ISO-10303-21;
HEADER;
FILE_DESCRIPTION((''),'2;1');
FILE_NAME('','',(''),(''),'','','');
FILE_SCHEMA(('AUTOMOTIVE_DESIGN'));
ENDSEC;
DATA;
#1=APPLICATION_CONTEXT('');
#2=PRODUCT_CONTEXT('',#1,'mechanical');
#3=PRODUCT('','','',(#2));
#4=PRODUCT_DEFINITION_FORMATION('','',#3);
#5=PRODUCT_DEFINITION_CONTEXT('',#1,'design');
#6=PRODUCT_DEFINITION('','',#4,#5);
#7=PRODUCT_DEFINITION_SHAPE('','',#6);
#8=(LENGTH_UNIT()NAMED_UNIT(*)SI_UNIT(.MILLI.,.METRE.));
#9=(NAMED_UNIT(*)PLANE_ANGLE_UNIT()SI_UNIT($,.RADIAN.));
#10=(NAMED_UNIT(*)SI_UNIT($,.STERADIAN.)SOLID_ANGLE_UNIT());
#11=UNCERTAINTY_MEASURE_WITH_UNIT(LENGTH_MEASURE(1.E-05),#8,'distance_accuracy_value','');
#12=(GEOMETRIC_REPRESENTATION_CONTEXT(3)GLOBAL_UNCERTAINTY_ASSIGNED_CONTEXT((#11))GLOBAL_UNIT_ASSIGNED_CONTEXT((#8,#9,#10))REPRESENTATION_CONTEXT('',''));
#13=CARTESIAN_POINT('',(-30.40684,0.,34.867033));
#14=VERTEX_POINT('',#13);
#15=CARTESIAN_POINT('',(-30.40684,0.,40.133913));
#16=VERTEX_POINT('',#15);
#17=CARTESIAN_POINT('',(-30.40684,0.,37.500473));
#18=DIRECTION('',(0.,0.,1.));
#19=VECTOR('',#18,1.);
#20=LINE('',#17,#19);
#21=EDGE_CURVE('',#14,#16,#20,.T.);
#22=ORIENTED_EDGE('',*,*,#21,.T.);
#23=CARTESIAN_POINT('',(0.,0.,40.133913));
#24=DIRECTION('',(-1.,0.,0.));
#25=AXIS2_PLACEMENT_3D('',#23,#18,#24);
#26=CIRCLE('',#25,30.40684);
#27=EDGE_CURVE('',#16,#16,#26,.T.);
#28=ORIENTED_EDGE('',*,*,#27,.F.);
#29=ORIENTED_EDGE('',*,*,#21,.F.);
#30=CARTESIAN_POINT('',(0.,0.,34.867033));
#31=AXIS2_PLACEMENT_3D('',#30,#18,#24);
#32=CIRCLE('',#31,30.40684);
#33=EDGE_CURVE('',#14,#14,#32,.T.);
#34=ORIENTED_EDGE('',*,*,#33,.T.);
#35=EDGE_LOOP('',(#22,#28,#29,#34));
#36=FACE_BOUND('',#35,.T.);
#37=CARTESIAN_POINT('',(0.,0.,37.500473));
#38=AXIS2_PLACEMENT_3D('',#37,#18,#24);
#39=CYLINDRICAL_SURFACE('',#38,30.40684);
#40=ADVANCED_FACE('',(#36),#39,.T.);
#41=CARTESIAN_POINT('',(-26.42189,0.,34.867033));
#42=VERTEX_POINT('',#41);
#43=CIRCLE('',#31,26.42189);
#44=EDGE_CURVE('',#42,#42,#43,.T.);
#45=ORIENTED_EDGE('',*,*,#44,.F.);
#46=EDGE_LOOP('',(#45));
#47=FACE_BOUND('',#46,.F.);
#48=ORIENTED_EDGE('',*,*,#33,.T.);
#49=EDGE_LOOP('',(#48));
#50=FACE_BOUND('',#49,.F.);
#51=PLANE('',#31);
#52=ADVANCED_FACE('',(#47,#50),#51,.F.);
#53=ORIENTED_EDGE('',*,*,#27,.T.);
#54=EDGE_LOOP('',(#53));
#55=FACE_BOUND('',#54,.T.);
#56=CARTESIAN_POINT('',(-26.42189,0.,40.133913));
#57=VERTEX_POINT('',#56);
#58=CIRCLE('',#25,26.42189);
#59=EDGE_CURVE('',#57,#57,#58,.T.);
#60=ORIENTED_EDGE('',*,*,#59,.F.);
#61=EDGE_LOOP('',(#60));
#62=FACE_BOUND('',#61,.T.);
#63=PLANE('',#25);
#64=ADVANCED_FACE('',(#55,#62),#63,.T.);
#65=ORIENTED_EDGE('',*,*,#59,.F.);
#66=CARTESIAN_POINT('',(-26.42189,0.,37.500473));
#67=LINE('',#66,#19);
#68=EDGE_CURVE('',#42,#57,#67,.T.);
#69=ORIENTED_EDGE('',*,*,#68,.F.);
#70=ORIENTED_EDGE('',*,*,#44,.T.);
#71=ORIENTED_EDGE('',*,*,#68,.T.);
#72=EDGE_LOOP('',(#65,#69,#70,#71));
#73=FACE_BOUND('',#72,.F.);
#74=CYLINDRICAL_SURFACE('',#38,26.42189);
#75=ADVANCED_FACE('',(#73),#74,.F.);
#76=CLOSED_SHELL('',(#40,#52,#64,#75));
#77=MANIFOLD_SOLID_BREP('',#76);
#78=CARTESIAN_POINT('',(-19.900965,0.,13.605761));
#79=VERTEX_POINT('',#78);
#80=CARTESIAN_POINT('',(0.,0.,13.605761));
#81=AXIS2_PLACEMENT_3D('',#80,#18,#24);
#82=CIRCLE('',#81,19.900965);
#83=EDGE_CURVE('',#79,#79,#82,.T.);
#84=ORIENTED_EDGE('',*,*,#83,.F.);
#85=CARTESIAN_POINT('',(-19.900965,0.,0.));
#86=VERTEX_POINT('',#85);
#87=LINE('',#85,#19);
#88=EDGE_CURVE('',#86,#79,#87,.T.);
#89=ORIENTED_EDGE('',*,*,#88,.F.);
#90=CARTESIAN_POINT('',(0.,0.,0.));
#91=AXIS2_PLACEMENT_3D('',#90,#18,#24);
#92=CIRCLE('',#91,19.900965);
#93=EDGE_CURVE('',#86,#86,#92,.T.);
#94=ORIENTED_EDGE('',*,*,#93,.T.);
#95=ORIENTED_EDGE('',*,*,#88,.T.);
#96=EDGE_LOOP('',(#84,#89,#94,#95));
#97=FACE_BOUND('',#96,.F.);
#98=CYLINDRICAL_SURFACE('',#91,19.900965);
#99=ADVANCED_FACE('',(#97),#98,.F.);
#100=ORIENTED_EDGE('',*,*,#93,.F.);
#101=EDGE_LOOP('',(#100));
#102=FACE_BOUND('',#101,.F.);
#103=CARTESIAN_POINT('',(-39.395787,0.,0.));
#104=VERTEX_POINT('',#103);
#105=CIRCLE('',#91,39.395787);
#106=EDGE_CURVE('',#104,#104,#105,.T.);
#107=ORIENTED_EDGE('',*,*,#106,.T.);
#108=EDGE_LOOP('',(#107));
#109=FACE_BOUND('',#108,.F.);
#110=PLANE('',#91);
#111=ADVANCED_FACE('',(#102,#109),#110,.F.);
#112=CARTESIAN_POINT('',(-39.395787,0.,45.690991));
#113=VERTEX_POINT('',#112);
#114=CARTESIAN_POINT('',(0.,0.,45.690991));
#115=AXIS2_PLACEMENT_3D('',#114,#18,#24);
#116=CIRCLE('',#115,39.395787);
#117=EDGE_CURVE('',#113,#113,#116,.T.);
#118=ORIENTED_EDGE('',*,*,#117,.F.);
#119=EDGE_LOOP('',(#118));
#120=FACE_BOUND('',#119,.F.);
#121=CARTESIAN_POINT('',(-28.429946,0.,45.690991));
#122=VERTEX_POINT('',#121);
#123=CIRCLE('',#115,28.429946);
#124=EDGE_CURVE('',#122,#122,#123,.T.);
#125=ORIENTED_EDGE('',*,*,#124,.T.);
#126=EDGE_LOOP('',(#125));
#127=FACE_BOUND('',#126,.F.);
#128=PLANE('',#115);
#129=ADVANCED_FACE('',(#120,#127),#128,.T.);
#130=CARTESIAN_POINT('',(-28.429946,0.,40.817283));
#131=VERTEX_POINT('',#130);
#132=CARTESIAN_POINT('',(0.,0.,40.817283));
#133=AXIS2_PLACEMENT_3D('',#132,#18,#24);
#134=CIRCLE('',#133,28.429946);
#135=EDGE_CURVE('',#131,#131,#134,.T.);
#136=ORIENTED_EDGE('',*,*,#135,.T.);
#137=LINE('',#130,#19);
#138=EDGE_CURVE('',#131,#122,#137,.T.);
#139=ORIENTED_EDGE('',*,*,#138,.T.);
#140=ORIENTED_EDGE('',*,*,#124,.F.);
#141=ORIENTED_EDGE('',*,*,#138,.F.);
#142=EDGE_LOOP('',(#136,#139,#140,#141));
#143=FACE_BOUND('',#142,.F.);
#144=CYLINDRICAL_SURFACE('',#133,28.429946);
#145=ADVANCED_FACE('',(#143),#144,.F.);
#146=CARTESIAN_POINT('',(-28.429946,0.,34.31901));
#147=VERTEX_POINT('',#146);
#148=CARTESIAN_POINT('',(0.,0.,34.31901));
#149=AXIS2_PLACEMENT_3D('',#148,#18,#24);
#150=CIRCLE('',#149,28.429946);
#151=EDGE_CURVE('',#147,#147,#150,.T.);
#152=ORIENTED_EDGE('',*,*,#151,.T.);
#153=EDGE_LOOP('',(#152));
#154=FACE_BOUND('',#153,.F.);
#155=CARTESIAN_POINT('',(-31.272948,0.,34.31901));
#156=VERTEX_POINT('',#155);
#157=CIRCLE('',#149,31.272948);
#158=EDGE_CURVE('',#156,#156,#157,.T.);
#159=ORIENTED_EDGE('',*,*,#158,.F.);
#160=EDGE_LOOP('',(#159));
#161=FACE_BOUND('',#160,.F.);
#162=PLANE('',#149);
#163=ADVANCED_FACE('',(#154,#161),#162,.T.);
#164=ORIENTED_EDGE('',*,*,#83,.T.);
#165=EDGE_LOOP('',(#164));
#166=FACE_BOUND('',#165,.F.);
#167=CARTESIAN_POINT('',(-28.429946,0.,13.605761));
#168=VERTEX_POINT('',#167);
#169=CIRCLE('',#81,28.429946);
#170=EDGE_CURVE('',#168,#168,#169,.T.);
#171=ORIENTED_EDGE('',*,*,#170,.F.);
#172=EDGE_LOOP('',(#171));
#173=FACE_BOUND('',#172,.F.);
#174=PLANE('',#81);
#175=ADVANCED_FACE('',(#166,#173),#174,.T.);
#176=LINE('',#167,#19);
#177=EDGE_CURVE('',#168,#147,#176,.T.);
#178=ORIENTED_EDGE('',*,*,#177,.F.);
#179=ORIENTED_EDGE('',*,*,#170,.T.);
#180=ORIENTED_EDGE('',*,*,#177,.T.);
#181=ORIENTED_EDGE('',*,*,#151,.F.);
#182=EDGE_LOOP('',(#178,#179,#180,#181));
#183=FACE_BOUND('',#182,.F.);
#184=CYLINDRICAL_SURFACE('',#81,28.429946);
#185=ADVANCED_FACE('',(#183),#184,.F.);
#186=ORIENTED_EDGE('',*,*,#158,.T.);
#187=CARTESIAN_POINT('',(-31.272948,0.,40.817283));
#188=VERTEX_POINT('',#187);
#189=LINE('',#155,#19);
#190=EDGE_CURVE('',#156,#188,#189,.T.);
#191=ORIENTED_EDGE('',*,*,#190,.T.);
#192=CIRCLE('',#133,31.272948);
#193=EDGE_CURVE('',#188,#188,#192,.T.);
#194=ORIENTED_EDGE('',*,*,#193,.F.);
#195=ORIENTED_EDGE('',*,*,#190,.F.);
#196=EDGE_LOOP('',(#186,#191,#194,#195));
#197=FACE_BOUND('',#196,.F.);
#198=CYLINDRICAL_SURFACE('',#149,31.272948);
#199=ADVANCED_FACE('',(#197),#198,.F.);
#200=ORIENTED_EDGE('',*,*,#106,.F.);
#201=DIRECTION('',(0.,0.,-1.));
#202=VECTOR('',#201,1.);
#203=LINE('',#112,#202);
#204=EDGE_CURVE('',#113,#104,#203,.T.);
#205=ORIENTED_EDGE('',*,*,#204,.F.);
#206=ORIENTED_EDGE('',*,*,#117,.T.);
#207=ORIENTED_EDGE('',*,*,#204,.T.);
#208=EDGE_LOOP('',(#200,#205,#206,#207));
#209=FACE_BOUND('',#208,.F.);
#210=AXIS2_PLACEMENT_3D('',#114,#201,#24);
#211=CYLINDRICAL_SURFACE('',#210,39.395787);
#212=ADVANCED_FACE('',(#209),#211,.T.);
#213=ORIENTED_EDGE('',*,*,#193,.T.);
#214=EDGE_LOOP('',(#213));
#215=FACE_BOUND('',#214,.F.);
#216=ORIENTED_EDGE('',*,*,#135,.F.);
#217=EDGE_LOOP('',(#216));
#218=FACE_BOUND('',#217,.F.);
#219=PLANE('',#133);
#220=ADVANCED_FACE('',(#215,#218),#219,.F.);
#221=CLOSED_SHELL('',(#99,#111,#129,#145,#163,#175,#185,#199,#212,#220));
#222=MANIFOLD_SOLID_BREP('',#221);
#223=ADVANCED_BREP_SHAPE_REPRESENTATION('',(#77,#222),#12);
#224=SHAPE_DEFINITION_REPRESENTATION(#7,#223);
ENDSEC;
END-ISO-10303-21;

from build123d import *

# Parameters (mm, degrees)
F0_W = 3.98495
F0_H = 5.266879


with BuildPart() as f1:
    # F0 (on Front) → F1 (revolve)
    with BuildSketch(Plane.XZ):
        Polygon((-39.395787, 0), (-28.429946, 0), (-19.900965, 0), (-19.900965, 13.605761), (-28.429946, 13.605761), (-28.429946, 34.31901), (-31.272948, 34.31901), (-31.272948, 40.817283), (-28.429946, 40.817283), (-28.429946, 45.690991), (-39.395787, 45.690991), align=None)
        with Locations((-28.414365, 37.500473)):
            Rectangle(F0_W, F0_H)
    revolve(axis=Axis((0, 0, 30.039568), (0, 0, 1)))


solid = f1.part
